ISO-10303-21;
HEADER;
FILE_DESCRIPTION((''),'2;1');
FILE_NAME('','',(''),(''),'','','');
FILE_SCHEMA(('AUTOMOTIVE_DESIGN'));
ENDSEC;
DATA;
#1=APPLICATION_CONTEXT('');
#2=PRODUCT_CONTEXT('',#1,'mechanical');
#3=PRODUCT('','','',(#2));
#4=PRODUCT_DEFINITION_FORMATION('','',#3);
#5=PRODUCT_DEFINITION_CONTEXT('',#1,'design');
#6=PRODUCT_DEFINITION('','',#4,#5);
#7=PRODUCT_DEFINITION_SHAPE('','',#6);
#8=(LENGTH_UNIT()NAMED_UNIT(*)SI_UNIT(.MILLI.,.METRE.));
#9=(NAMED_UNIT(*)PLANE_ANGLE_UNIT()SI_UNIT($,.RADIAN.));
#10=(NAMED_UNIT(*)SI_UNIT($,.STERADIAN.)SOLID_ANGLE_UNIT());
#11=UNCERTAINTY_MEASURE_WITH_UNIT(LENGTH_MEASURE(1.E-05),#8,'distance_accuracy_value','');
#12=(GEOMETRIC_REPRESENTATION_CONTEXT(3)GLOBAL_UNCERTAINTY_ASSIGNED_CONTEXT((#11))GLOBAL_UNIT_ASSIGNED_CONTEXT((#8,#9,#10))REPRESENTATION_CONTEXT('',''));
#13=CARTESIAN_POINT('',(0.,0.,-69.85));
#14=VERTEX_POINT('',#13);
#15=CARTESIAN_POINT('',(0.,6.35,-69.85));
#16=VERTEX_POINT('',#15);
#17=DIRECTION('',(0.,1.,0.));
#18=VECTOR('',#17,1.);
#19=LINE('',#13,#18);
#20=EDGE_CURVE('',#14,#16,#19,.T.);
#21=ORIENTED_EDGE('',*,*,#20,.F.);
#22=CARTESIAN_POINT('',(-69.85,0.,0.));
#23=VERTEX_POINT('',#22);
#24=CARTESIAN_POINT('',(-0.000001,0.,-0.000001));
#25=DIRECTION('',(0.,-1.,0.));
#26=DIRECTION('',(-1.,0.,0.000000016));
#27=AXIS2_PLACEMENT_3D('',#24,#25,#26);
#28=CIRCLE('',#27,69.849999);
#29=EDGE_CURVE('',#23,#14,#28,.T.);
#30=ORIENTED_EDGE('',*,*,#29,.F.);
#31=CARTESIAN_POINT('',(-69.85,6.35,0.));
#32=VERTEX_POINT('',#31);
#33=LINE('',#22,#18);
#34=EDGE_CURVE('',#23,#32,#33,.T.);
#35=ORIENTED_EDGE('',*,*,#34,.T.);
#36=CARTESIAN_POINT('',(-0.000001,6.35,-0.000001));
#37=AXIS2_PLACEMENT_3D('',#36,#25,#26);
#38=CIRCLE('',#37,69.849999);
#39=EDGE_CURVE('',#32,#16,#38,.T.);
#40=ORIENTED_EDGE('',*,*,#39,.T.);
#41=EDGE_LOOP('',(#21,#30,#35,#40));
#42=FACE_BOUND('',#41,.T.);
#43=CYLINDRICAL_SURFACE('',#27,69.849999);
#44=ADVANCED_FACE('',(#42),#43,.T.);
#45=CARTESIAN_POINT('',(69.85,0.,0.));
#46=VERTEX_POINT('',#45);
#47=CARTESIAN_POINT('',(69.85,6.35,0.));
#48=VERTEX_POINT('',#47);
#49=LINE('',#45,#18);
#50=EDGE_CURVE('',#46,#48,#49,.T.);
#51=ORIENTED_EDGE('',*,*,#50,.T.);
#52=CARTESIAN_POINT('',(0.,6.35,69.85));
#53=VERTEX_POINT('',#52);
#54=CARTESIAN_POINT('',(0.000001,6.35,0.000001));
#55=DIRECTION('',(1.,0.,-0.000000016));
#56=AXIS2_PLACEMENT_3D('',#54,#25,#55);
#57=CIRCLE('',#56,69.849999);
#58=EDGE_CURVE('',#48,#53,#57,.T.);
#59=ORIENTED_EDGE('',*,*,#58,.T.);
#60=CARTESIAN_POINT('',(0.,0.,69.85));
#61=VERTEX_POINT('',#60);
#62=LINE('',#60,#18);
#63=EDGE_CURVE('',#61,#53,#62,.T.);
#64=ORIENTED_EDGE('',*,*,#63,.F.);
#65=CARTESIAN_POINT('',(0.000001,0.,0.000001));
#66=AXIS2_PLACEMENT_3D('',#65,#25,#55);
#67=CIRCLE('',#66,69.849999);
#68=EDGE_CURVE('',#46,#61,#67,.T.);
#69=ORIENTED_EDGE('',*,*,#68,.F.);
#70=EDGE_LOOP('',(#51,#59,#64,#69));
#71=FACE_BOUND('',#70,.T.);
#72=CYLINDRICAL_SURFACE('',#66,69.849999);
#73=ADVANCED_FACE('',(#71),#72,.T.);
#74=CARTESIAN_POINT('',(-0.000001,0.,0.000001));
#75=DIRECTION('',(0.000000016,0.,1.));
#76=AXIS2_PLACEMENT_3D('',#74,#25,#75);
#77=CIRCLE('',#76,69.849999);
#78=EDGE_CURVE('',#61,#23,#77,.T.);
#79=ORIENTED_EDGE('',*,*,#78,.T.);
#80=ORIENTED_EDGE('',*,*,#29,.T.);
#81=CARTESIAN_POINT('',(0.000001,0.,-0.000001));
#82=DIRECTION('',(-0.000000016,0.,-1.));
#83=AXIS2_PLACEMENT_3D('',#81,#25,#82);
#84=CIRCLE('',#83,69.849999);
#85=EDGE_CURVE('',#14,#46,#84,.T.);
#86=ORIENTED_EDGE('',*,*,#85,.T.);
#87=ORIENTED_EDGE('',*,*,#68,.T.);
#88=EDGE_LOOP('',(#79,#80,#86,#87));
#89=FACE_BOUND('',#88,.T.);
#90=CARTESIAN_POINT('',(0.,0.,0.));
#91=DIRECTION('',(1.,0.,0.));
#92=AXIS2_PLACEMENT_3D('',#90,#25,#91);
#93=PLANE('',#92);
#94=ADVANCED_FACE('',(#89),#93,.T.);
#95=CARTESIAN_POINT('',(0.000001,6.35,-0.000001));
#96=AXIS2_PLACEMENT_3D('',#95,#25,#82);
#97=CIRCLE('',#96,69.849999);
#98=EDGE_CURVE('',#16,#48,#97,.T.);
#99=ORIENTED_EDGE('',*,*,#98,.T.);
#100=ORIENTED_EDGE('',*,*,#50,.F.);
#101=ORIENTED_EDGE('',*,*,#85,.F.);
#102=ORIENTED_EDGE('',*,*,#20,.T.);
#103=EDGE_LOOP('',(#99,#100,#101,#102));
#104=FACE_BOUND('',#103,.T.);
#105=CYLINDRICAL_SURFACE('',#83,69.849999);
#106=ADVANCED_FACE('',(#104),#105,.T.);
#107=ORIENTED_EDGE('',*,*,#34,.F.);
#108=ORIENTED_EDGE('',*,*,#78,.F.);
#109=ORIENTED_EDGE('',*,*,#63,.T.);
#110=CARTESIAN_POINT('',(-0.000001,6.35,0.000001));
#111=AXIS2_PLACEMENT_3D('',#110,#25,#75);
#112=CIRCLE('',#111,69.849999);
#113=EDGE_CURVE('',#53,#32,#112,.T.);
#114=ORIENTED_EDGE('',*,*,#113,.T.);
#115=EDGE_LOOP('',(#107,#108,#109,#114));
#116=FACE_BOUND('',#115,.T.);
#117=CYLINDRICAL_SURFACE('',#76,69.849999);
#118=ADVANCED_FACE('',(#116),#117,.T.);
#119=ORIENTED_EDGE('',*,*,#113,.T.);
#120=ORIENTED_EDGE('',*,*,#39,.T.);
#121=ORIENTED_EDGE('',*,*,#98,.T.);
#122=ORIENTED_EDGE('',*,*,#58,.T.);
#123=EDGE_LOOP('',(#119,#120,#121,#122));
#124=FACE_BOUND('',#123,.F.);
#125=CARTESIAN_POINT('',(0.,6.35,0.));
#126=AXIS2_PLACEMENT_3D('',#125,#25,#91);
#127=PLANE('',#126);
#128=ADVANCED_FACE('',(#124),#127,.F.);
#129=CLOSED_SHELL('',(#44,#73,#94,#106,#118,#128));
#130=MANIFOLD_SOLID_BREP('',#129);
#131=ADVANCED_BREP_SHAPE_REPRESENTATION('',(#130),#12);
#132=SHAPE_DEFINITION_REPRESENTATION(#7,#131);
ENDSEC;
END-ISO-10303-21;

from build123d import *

# Parameters (mm, degrees)
F1_DEPTH = 6.35


with BuildPart() as f1:
    # F0 (on Front) → F1 (new body)
    with BuildSketch(Plane.XZ):
        with BuildLine():
            ThreePointArc((69.85, 0), (49.391409, 49.391409), (0, 69.85))
            ThreePointArc((0, 69.85), (-49.391409, 49.391409), (-69.85, 0))
            ThreePointArc((-69.85, 0), (-49.391409, -49.391409), (0, -69.85))
            ThreePointArc((0, -69.85), (49.391409, -49.391409), (69.85, 0))
        make_face()
    extrude(amount=-F1_DEPTH)


solid = f1.part
